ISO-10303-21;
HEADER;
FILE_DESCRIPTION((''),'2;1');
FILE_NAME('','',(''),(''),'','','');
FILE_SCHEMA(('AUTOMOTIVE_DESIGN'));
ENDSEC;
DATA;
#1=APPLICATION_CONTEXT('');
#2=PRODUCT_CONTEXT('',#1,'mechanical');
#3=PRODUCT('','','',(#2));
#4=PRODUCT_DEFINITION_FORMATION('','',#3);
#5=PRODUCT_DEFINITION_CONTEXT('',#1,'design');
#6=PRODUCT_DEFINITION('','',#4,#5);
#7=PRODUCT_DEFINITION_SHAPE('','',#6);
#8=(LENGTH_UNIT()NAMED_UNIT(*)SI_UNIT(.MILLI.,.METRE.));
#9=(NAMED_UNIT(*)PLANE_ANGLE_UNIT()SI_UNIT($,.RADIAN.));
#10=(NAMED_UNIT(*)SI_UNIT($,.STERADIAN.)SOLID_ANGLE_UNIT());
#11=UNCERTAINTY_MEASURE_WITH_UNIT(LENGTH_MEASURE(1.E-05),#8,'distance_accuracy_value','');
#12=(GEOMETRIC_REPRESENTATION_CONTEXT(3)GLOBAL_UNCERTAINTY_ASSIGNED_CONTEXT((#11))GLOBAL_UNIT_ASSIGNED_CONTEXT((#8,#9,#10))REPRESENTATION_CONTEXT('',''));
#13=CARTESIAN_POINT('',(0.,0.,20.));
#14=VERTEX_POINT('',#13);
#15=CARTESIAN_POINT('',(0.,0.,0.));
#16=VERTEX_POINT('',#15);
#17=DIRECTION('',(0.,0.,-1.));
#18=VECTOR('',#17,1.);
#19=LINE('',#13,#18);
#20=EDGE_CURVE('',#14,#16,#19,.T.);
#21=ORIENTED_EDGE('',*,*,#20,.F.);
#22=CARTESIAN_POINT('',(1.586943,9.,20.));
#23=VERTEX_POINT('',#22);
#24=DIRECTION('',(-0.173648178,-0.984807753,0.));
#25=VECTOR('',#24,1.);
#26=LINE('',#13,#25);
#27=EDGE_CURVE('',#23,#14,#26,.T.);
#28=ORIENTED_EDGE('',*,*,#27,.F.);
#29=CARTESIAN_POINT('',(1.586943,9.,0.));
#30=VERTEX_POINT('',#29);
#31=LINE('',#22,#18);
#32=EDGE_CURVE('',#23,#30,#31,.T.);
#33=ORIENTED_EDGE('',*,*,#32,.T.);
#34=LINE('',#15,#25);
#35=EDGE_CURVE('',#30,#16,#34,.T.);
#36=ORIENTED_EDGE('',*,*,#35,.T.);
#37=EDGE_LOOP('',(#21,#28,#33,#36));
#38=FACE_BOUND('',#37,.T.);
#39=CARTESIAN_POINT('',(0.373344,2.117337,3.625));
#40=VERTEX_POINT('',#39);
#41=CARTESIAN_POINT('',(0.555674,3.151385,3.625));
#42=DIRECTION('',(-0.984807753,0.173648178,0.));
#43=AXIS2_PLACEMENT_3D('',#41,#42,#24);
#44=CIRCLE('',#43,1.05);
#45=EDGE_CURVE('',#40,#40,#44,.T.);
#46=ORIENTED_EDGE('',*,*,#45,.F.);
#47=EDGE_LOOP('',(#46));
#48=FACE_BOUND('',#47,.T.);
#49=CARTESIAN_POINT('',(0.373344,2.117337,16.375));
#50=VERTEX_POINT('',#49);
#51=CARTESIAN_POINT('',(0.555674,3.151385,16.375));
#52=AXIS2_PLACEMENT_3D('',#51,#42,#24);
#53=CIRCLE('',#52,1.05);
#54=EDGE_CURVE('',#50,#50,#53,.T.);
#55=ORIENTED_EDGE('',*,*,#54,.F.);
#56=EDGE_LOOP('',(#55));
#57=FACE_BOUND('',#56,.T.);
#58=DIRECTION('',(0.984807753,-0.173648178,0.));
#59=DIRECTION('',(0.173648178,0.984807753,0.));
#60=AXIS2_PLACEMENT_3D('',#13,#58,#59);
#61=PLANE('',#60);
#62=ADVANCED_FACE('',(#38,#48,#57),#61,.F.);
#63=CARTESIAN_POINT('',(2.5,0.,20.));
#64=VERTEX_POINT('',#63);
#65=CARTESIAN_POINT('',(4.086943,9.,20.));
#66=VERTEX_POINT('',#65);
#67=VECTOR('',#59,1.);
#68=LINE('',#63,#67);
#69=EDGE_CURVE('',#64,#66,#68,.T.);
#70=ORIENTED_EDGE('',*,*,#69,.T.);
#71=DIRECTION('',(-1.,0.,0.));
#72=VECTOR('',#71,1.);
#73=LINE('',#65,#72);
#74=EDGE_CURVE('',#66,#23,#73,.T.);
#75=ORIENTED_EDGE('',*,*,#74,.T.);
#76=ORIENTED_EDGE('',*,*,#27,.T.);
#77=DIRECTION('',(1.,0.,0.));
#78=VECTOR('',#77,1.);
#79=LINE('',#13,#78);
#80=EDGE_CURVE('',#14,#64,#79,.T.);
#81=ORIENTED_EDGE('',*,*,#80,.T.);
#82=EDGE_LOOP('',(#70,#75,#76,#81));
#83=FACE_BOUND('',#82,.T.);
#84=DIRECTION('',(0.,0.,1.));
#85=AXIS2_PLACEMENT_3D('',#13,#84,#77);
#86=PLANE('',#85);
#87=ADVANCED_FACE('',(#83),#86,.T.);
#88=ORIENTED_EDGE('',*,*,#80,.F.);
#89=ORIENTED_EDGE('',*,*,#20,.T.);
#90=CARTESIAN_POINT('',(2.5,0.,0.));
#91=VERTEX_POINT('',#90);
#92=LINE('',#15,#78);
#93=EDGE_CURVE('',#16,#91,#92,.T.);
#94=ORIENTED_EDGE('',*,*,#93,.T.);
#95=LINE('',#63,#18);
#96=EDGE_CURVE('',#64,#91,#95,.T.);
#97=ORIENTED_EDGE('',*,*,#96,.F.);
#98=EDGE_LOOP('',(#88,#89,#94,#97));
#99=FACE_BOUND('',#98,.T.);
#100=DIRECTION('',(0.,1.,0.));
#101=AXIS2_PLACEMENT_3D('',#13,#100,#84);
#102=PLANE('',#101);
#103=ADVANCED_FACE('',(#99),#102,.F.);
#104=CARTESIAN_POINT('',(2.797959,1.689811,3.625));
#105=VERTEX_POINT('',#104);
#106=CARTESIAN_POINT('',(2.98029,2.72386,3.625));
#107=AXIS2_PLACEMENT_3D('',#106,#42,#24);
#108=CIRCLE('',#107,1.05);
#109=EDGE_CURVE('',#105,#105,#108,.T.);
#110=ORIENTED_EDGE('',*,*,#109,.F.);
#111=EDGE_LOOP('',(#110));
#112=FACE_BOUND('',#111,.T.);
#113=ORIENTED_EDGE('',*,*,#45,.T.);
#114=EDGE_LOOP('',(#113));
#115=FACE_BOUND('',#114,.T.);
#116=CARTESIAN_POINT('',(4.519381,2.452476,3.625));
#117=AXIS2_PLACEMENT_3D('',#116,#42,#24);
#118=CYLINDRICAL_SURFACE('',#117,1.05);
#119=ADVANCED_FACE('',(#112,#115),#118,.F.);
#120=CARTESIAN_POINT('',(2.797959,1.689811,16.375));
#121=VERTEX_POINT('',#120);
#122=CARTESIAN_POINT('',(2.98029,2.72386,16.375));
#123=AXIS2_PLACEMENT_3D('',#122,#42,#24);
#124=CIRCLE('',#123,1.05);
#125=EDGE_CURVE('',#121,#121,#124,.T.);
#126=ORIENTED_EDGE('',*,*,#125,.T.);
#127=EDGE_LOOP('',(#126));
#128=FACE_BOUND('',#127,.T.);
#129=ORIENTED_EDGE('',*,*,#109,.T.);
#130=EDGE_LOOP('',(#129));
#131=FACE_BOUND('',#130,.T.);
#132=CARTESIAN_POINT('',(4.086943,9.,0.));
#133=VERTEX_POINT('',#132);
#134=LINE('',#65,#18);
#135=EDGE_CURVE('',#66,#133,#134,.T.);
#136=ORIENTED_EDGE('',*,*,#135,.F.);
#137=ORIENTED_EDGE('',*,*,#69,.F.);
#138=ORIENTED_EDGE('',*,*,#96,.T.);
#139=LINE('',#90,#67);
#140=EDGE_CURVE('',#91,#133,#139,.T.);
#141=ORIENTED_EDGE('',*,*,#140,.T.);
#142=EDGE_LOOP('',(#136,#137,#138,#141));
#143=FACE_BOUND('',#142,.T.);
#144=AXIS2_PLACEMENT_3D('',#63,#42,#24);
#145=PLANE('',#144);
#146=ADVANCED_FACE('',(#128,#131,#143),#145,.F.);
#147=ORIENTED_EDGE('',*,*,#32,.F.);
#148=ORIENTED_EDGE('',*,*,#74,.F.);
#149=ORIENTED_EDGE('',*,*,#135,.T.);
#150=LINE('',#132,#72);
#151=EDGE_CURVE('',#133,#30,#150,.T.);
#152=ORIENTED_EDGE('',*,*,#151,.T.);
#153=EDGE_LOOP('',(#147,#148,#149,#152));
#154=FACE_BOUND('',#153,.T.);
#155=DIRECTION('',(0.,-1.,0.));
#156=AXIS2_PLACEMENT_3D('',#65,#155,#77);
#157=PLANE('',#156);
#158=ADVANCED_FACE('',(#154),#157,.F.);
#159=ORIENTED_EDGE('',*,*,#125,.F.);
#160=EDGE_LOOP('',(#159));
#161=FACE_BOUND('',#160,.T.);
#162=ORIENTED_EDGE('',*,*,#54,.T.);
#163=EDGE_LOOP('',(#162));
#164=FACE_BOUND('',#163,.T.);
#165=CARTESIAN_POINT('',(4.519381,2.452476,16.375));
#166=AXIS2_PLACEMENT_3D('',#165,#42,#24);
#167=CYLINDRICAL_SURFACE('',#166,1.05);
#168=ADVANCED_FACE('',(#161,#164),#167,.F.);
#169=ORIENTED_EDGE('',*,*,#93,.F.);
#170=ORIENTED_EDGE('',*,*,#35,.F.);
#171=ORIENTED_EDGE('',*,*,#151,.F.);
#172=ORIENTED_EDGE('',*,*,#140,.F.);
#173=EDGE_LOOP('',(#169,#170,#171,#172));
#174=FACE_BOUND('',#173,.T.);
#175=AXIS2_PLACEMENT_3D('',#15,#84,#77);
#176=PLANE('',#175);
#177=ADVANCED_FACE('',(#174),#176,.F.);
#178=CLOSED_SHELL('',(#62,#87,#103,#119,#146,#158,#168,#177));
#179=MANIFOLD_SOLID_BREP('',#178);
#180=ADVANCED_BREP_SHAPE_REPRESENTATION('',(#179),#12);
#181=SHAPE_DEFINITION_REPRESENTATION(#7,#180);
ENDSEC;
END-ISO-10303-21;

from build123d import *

# Parameters (mm, degrees)
BOSS_EXTRUDE2_DEPTH = 20
SKETCH4_R           = 1.05
CUT_EXTRUDE1_DEPTH  = 5.024852982


with BuildPart() as part:
    # Sketch2 → Boss-Extrude2 (new body)
    with BuildSketch(Plane.XY):
        Polygon((0, 0), (2.5, 0), (4.086942826, 9), (1.586942826, 9), align=None)
    extrude(amount=BOSS_EXTRUDE2_DEPTH)

    # Sketch4 → Cut-Extrude1 (cut, through all)
    with BuildSketch(Plane(origin=(0, 0, 0), x_dir=(0, 0, 1), z_dir=(-0.984807753, 0.173648178, 0))):
        with Locations((3.625, 3.2)):
            Circle(SKETCH4_R)
        with Locations((16.375, 3.2)):
            Circle(SKETCH4_R)
    extrude(amount=-CUT_EXTRUDE1_DEPTH, mode=Mode.SUBTRACT)


solid = part.part
